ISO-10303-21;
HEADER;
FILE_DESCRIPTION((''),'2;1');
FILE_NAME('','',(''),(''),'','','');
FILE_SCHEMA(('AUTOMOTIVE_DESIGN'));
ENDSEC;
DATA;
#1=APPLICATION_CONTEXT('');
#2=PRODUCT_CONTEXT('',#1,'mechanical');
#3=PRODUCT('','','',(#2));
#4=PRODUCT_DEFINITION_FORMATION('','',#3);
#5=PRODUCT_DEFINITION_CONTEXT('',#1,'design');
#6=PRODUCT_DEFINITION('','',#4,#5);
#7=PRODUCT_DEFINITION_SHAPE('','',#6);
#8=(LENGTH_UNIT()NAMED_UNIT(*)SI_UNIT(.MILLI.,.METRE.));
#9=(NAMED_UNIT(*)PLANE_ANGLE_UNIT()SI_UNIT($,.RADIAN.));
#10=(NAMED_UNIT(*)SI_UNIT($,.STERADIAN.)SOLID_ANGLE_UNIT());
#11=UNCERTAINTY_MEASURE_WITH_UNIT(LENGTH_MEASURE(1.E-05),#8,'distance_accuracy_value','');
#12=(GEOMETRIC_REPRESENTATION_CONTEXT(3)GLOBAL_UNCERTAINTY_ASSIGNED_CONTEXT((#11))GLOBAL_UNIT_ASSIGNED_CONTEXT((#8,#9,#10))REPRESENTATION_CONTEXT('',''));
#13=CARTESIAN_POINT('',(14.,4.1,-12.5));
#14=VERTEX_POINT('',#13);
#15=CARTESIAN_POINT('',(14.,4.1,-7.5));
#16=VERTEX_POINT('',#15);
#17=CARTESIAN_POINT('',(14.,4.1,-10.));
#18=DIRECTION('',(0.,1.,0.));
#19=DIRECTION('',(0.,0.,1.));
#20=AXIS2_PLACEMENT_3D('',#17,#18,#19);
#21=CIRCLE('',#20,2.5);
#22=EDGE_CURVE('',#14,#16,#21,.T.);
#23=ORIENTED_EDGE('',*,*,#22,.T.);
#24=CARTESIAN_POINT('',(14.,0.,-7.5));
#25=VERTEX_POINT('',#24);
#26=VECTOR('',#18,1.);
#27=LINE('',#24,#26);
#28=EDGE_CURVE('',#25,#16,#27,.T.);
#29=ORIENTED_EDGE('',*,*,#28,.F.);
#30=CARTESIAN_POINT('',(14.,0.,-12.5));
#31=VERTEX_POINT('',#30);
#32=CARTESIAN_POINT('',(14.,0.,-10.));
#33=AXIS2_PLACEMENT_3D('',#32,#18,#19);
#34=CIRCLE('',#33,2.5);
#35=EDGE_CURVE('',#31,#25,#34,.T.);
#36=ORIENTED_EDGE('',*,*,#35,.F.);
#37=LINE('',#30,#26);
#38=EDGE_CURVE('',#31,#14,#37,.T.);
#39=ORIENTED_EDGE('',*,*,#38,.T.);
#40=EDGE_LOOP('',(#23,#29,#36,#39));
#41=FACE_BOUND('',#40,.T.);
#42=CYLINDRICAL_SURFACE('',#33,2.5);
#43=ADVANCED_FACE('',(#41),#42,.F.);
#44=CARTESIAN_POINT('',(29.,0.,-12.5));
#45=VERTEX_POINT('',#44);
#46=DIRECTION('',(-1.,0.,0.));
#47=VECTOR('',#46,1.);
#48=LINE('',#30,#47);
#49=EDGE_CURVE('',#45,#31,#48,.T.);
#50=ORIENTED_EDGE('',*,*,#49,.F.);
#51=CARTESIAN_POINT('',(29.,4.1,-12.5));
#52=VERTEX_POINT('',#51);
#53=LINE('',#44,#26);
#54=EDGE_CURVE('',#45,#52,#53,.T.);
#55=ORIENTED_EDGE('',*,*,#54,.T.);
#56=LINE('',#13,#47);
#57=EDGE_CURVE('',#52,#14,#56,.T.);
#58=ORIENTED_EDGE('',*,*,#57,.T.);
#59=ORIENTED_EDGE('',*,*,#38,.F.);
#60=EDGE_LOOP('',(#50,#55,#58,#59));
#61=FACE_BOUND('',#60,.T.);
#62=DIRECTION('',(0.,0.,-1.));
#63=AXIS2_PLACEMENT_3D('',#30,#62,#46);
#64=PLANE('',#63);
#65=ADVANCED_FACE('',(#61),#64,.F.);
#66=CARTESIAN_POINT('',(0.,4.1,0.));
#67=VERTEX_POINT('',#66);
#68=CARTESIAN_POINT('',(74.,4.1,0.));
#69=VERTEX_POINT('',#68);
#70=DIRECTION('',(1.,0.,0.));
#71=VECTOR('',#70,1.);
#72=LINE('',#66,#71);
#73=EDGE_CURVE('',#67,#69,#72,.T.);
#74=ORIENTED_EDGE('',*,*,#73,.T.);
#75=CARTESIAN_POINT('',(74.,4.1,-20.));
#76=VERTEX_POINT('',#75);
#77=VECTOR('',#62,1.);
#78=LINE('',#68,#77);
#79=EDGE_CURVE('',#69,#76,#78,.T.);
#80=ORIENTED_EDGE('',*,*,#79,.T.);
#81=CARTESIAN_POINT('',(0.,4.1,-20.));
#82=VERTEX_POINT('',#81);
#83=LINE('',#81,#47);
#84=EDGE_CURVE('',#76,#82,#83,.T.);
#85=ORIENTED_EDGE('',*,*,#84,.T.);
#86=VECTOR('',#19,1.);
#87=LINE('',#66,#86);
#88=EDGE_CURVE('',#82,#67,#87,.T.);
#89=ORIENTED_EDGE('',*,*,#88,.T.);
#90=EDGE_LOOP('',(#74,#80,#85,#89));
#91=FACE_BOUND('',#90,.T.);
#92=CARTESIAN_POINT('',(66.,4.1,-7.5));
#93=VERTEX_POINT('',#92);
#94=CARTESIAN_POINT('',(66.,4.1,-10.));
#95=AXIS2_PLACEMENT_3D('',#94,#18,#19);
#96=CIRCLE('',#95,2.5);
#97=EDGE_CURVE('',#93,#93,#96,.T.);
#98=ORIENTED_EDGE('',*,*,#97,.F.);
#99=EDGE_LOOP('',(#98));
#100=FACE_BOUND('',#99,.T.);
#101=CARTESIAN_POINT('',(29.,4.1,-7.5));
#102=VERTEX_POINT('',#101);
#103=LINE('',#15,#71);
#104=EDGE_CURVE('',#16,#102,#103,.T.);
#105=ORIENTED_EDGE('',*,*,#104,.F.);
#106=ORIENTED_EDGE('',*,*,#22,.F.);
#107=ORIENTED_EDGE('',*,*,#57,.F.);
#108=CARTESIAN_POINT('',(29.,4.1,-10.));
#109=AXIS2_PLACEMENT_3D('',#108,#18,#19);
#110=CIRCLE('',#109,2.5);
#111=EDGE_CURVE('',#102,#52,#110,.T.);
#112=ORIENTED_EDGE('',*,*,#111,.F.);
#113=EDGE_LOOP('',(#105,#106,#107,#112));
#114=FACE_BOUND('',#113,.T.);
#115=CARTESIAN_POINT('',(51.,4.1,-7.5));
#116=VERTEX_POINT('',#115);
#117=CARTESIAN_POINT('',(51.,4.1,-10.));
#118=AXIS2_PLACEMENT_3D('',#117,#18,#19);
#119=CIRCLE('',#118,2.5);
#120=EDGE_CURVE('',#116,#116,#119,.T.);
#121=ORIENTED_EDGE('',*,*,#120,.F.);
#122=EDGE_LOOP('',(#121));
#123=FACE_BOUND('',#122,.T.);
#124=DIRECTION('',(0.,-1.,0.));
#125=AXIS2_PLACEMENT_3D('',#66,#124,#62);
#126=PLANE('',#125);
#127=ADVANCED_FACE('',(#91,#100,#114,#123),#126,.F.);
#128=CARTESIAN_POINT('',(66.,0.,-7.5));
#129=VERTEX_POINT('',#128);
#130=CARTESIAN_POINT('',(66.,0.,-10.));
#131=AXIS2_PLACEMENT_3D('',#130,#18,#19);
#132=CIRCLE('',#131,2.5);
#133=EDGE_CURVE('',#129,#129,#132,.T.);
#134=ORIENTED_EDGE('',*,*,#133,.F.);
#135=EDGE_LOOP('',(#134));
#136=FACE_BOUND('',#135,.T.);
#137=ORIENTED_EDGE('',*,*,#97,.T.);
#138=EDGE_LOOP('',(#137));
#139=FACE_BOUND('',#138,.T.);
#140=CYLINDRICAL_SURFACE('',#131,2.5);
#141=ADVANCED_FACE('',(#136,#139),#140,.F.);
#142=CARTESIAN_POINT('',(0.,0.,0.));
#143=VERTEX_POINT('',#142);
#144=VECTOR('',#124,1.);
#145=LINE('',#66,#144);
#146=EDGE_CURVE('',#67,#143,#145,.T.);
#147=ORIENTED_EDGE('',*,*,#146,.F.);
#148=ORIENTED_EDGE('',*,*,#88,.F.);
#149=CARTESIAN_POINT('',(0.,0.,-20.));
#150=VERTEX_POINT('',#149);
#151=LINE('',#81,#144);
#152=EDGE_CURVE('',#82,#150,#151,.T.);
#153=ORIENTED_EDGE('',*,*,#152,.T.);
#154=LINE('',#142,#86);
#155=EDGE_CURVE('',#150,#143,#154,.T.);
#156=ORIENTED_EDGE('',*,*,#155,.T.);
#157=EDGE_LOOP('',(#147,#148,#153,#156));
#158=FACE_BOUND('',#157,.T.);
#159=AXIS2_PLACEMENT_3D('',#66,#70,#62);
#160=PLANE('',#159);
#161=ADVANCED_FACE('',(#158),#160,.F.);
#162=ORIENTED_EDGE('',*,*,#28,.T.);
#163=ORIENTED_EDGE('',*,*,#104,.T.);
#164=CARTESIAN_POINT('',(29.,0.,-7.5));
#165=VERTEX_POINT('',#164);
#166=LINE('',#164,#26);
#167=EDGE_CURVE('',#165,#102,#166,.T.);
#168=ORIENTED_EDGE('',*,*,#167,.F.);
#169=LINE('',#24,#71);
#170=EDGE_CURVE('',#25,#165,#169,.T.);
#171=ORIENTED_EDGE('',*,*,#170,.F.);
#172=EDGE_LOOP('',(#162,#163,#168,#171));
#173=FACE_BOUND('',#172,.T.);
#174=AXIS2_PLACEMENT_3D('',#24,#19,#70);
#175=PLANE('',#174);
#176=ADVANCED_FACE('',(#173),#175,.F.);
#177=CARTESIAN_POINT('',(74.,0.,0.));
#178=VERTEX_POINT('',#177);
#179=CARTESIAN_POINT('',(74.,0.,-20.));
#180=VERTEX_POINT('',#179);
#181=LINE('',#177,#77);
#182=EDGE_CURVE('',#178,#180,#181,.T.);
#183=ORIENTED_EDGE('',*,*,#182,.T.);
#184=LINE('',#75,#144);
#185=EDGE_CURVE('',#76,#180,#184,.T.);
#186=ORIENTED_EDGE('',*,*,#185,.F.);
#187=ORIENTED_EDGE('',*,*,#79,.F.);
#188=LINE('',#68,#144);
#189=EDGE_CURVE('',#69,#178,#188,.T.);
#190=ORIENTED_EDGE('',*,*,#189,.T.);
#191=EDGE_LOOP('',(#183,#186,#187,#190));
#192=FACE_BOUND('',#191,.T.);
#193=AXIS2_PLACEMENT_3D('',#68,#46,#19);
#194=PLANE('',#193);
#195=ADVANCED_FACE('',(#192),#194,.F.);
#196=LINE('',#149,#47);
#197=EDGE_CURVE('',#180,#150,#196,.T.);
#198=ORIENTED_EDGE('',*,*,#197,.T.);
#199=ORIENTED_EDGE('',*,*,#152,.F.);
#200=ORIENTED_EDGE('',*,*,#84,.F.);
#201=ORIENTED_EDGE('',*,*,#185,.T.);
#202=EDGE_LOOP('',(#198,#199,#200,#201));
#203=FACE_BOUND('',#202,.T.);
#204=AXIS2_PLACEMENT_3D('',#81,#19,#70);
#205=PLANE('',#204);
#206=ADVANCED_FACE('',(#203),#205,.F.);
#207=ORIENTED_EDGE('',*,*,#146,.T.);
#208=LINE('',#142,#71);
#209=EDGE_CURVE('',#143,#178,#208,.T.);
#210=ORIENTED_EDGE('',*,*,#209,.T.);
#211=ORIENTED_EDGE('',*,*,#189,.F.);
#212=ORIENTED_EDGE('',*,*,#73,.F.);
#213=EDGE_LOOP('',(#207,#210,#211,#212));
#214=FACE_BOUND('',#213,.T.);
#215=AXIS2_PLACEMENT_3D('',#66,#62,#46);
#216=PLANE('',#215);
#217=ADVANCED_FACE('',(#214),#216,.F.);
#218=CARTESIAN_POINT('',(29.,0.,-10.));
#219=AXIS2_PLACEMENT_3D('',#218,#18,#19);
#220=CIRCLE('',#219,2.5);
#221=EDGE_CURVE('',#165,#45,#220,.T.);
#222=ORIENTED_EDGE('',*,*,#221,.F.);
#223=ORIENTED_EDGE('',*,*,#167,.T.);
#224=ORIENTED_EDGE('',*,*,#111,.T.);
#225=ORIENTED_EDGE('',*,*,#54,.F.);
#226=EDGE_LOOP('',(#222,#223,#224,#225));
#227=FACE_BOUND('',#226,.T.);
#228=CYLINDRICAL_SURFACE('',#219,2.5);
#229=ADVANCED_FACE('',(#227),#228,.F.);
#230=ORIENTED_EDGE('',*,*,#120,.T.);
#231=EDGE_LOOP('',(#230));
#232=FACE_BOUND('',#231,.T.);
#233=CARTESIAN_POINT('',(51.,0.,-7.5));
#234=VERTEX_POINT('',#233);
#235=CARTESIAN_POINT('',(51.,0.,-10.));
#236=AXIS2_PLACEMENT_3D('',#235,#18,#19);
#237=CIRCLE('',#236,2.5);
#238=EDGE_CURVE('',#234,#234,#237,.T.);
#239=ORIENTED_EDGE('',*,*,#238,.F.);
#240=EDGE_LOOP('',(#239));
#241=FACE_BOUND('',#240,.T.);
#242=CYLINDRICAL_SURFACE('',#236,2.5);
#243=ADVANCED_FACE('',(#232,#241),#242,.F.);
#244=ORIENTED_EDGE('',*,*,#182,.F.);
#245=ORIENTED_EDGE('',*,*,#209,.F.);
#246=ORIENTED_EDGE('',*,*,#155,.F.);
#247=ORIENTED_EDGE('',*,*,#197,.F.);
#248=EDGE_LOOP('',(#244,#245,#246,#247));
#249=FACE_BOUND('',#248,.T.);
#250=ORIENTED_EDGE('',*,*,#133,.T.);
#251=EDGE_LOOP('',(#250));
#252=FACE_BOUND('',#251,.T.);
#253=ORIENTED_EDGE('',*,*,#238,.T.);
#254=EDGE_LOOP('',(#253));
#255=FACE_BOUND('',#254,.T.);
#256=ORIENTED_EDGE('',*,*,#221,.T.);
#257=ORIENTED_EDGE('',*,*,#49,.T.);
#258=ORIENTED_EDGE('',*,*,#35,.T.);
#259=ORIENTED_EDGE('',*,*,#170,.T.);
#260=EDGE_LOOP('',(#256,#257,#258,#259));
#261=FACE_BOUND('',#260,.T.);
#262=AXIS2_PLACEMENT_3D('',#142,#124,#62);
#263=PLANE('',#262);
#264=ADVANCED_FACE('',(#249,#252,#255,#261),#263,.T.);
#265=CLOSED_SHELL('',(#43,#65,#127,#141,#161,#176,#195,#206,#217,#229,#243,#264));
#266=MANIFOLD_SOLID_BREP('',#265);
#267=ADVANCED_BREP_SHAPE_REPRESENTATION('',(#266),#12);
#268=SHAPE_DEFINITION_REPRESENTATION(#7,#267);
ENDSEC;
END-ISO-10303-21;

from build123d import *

# Parameters (mm, degrees)
SKETCH_1_W          = 74
SKETCH_1_H          = 20
EXTRUDE_1_DEPTH     = 4.1
SKETCH_2_R          = 2.5
CUT_EXTRUDE_1_DEPTH = 4.1


with BuildPart() as part:
    # 草图1 → 凸台-拉伸1 (new body)
    with BuildSketch(Plane(origin=(0, 0, 0), x_dir=(1, 0, 0), z_dir=(0, 1, 0))):
        with Locations((37, 10)):
            Rectangle(SKETCH_1_W, SKETCH_1_H)
    extrude(amount=EXTRUDE_1_DEPTH)

    # 草图2 → 切除-拉伸1 (cut)
    with BuildSketch(Plane(origin=(0, 4.1, 0), x_dir=(1, 0, 0), z_dir=(0, 1, 0))):
        with Locations(Location((66, 10, 0), (0, 0, 270))):
            Circle(SKETCH_2_R)
        with Locations(Location((51, 10, 0), (0, 0, 270))):
            Circle(SKETCH_2_R)
        with BuildLine():
            Line((14, 12.5), (29, 12.5))
            ThreePointArc((29, 12.5), (31.5, 10), (29, 7.5))
            Line((29, 7.5), (14, 7.5))
            ThreePointArc((14, 7.5), (11.5, 10), (14, 12.5))
        make_face()
    extrude(amount=-CUT_EXTRUDE_1_DEPTH, mode=Mode.SUBTRACT)


solid = part.part
